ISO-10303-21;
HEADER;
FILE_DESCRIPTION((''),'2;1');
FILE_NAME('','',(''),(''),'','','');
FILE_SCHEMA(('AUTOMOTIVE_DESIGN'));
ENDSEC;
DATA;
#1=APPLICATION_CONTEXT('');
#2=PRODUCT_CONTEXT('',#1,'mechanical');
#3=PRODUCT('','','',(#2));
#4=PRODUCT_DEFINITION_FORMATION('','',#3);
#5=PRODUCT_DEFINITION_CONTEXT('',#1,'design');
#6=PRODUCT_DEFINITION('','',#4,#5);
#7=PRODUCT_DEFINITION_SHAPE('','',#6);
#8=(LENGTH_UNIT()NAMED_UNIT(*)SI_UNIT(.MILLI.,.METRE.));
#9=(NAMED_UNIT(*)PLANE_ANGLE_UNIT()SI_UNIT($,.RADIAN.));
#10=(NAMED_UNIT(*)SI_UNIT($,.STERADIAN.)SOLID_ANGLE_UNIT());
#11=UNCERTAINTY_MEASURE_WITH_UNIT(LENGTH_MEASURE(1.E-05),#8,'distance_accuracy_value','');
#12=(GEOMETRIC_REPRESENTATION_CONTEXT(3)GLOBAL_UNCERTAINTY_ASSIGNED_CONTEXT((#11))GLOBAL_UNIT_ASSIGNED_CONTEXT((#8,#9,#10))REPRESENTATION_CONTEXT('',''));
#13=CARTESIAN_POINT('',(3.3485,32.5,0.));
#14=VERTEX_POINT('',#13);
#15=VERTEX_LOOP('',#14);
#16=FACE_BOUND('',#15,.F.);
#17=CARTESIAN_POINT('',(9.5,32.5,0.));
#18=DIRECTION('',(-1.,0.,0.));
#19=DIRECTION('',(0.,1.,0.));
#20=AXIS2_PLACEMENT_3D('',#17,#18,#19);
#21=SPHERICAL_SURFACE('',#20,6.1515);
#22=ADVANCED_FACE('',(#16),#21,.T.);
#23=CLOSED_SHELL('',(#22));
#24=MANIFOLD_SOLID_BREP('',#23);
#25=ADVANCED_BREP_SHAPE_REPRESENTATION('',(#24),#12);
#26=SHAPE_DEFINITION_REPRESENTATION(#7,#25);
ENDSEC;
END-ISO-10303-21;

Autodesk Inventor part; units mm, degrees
ref_plane "YZ Plane" through (0, 0, 0) normal (1, 0, 0) x (0, 1, 0)
ref_plane "XZ Plane" through (0, 0, 0) normal (0, 1, 0) x (-1, 0, 0)
ref_plane "XY Plane" through (0, 0, 0) normal (0, 0, 1) x (1, 0, 0)
sketch "Sketch_1" plane through (0, 0, 0) normal (0, 0, 1) x (1, 0, 0)
  line L0 (15.6515, 32.5) -> (3.3485, 32.5)
  arc A0 (15.6515, 32.5) -> (3.3485, 32.5) centre (9.5, 32.5) ccw
  line L1 (15.6515, 32.5) -> (3.3485, 32.5)
  dimension "d0" = 360
revolve "Revolution1" add sketch "Sketch_1" angle 360 about axis through (15.6515, 32.5, 0) along (1, 0, 0)
properties part number "6209_PART3"
